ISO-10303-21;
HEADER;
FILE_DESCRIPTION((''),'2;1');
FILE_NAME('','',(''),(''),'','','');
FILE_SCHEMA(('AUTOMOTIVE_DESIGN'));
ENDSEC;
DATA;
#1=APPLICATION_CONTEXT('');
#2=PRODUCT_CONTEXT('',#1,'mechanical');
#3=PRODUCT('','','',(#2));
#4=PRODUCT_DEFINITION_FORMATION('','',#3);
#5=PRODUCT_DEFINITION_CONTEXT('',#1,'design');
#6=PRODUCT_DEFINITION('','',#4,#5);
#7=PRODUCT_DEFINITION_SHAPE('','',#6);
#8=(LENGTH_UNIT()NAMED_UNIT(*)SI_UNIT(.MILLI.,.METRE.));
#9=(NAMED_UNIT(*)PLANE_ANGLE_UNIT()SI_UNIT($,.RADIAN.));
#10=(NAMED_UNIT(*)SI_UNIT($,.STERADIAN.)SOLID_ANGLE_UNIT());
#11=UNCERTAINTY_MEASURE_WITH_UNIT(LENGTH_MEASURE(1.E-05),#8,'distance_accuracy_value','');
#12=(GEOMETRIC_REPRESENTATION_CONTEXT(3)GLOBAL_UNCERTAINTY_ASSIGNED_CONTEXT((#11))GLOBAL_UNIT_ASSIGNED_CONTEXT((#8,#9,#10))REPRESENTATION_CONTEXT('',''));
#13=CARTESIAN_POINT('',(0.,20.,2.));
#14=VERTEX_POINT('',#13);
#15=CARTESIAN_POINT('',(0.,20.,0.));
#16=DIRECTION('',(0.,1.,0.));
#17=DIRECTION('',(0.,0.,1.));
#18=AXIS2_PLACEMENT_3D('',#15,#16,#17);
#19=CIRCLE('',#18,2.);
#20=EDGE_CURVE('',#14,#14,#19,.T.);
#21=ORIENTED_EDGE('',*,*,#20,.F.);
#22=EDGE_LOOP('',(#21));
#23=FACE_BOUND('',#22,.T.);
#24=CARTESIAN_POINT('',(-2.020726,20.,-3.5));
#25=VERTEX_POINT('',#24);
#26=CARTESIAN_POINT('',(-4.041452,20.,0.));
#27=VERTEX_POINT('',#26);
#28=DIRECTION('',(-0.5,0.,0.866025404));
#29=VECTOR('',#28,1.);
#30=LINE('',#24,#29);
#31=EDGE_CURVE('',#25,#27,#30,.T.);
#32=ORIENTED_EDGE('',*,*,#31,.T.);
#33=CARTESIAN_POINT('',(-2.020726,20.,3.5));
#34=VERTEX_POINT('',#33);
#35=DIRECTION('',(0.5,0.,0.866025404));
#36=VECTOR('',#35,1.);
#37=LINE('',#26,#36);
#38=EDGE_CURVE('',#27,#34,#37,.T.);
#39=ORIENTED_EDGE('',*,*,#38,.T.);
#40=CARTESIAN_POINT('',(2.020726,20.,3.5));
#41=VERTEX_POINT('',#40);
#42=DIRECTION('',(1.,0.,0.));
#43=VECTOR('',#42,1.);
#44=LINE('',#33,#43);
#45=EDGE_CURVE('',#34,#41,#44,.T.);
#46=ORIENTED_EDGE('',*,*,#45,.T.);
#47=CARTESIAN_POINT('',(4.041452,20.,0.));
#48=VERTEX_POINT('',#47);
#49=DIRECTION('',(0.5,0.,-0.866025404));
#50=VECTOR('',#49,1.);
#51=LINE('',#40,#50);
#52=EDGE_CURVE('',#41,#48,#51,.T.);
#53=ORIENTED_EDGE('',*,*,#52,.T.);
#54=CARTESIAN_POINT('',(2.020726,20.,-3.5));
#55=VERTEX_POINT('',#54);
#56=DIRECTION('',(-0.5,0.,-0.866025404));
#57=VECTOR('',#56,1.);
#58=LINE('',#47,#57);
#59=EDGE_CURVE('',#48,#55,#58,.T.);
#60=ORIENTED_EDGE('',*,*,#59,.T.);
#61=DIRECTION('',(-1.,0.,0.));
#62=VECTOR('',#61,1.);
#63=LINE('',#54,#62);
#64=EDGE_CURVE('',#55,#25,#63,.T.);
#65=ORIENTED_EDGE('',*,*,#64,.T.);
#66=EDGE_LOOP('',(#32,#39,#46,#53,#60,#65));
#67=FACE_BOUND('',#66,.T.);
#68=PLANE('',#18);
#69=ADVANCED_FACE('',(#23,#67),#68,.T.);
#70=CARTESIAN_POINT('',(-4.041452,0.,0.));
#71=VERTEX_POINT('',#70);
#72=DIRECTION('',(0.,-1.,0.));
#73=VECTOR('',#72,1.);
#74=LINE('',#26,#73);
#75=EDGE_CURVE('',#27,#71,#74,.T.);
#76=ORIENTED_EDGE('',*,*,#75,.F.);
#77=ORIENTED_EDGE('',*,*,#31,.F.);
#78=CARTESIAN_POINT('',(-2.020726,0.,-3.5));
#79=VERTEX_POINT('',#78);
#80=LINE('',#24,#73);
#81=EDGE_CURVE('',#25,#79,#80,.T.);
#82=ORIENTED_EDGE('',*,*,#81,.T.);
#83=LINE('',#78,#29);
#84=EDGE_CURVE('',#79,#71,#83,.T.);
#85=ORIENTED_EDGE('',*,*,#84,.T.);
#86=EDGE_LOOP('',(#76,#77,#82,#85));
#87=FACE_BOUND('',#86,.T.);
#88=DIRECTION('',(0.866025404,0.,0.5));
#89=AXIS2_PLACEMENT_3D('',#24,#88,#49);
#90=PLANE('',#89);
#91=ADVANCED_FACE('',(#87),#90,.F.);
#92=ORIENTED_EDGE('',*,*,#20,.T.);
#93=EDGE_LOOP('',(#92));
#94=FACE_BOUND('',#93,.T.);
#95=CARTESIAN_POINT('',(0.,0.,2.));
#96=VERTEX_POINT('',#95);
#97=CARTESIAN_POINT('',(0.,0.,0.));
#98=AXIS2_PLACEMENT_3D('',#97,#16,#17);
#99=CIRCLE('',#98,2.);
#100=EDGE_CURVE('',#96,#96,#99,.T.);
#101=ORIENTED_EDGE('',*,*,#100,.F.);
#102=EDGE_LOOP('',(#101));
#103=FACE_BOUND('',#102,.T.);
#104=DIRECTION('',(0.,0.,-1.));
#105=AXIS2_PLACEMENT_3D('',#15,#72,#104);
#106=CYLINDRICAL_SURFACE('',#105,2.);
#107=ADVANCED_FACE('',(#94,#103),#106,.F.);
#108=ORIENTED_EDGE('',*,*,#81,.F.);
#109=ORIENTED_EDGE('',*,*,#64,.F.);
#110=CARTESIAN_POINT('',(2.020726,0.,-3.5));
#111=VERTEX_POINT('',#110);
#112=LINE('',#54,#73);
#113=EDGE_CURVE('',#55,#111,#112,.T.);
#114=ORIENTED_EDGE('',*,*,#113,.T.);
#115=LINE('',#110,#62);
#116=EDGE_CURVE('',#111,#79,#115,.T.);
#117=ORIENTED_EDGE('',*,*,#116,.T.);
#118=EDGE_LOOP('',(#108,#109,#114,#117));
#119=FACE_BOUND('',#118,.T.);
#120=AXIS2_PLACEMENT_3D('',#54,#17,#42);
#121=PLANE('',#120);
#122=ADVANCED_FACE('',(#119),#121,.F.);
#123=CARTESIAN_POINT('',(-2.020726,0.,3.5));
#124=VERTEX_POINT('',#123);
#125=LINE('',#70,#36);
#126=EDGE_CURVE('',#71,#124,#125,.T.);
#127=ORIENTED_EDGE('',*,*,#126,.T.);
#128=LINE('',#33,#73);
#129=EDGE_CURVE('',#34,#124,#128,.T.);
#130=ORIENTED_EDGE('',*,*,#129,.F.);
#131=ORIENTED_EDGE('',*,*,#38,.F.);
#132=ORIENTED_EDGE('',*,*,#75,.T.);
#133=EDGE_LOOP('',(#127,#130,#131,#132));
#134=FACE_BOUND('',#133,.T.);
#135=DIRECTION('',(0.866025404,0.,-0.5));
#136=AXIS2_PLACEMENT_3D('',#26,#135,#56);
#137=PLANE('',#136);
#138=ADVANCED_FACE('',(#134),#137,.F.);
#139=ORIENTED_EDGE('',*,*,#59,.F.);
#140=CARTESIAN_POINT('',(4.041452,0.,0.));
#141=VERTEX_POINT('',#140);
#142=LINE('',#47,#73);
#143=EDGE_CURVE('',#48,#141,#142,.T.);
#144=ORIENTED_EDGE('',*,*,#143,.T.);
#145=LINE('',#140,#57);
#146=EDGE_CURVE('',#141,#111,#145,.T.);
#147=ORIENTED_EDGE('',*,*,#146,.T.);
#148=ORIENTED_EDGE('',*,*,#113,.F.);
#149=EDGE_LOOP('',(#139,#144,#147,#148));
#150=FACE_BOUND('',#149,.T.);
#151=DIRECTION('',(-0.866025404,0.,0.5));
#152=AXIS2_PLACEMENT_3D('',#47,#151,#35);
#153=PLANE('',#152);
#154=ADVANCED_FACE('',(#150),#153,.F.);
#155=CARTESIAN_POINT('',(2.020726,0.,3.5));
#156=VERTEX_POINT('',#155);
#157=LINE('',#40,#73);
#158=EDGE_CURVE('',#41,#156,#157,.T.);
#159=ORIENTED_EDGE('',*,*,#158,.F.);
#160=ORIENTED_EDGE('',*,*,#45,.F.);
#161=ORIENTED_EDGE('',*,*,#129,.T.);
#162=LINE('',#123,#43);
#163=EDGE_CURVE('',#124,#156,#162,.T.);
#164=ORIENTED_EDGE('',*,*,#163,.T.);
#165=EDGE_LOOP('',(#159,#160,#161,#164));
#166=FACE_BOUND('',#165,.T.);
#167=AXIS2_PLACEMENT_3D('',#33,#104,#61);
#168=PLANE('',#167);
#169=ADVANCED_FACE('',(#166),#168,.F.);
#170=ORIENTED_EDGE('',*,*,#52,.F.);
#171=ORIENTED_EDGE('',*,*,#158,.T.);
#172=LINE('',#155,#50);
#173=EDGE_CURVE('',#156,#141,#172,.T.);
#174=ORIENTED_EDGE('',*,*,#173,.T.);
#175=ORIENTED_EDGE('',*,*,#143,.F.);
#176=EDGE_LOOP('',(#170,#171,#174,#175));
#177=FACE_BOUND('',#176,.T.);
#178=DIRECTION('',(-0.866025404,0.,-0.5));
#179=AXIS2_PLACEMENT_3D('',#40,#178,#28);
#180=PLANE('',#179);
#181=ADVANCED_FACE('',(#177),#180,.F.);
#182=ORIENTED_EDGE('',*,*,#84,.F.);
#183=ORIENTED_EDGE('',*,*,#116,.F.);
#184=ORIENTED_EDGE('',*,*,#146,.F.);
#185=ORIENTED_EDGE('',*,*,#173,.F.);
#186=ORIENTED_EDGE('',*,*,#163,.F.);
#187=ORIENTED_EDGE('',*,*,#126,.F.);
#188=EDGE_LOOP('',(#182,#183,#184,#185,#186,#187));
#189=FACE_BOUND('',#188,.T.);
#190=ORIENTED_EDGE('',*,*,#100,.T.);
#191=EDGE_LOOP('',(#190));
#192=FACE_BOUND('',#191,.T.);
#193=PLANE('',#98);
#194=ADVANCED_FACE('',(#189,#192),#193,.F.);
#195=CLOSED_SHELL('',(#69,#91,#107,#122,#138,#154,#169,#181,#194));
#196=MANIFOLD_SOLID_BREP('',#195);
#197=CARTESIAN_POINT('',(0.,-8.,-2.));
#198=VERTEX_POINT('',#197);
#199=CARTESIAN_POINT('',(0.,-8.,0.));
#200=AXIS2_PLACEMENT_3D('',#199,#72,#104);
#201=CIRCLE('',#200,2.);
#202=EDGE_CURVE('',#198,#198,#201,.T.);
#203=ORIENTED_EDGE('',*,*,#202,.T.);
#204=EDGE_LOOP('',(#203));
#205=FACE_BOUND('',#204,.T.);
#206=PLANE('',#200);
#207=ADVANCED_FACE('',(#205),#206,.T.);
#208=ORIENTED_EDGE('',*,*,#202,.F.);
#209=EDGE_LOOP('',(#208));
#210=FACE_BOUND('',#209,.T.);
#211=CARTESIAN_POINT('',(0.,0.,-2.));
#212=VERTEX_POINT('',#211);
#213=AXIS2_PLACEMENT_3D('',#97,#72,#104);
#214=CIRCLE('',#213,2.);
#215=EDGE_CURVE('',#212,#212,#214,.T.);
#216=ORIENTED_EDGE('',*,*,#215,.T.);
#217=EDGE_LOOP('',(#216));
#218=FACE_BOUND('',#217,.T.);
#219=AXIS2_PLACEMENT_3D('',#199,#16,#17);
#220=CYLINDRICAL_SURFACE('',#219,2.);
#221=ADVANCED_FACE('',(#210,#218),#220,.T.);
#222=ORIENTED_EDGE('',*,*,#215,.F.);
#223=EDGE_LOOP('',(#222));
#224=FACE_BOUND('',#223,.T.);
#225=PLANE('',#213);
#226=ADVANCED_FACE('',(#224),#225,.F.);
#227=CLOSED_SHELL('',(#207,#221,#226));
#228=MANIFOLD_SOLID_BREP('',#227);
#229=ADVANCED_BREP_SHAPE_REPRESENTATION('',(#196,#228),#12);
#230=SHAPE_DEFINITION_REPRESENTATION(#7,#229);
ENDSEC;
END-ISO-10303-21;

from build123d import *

# Parameters (mm, degrees)
SKETCH_1_R      = 2
EXTRUDE_1_DEPTH = 20
SKETCH_2_R      = 2
EXTRUDE_2_DEPTH = 8


with BuildPart() as part:
    # 草图1 → 凸台-拉伸1 (new body)
    with BuildSketch(Plane(origin=(0, 0, 0), x_dir=(1, 0, 0), z_dir=(0, 1, 0))):
        Polygon((4.041451884, 0), (2.020725942, 3.5), (-2.020725942, 3.5), (-4.041451884, 0), (-2.020725942, -3.5), (2.020725942, -3.5), align=None)
        with Locations(Location((0, 0, 0), (0, 0, 270))):
            Circle(SKETCH_1_R, mode=Mode.SUBTRACT)
    extrude(amount=EXTRUDE_1_DEPTH)


with BuildPart() as body_2:
    # 草图2 → 凸台-拉伸2 (new body)
    with BuildSketch(Plane.XZ):
        with Locations(Location((0, 0, 0), (0, 0, 270))):
            Circle(SKETCH_2_R)
    extrude(amount=EXTRUDE_2_DEPTH)


solid = Compound([part.part, body_2.part])
